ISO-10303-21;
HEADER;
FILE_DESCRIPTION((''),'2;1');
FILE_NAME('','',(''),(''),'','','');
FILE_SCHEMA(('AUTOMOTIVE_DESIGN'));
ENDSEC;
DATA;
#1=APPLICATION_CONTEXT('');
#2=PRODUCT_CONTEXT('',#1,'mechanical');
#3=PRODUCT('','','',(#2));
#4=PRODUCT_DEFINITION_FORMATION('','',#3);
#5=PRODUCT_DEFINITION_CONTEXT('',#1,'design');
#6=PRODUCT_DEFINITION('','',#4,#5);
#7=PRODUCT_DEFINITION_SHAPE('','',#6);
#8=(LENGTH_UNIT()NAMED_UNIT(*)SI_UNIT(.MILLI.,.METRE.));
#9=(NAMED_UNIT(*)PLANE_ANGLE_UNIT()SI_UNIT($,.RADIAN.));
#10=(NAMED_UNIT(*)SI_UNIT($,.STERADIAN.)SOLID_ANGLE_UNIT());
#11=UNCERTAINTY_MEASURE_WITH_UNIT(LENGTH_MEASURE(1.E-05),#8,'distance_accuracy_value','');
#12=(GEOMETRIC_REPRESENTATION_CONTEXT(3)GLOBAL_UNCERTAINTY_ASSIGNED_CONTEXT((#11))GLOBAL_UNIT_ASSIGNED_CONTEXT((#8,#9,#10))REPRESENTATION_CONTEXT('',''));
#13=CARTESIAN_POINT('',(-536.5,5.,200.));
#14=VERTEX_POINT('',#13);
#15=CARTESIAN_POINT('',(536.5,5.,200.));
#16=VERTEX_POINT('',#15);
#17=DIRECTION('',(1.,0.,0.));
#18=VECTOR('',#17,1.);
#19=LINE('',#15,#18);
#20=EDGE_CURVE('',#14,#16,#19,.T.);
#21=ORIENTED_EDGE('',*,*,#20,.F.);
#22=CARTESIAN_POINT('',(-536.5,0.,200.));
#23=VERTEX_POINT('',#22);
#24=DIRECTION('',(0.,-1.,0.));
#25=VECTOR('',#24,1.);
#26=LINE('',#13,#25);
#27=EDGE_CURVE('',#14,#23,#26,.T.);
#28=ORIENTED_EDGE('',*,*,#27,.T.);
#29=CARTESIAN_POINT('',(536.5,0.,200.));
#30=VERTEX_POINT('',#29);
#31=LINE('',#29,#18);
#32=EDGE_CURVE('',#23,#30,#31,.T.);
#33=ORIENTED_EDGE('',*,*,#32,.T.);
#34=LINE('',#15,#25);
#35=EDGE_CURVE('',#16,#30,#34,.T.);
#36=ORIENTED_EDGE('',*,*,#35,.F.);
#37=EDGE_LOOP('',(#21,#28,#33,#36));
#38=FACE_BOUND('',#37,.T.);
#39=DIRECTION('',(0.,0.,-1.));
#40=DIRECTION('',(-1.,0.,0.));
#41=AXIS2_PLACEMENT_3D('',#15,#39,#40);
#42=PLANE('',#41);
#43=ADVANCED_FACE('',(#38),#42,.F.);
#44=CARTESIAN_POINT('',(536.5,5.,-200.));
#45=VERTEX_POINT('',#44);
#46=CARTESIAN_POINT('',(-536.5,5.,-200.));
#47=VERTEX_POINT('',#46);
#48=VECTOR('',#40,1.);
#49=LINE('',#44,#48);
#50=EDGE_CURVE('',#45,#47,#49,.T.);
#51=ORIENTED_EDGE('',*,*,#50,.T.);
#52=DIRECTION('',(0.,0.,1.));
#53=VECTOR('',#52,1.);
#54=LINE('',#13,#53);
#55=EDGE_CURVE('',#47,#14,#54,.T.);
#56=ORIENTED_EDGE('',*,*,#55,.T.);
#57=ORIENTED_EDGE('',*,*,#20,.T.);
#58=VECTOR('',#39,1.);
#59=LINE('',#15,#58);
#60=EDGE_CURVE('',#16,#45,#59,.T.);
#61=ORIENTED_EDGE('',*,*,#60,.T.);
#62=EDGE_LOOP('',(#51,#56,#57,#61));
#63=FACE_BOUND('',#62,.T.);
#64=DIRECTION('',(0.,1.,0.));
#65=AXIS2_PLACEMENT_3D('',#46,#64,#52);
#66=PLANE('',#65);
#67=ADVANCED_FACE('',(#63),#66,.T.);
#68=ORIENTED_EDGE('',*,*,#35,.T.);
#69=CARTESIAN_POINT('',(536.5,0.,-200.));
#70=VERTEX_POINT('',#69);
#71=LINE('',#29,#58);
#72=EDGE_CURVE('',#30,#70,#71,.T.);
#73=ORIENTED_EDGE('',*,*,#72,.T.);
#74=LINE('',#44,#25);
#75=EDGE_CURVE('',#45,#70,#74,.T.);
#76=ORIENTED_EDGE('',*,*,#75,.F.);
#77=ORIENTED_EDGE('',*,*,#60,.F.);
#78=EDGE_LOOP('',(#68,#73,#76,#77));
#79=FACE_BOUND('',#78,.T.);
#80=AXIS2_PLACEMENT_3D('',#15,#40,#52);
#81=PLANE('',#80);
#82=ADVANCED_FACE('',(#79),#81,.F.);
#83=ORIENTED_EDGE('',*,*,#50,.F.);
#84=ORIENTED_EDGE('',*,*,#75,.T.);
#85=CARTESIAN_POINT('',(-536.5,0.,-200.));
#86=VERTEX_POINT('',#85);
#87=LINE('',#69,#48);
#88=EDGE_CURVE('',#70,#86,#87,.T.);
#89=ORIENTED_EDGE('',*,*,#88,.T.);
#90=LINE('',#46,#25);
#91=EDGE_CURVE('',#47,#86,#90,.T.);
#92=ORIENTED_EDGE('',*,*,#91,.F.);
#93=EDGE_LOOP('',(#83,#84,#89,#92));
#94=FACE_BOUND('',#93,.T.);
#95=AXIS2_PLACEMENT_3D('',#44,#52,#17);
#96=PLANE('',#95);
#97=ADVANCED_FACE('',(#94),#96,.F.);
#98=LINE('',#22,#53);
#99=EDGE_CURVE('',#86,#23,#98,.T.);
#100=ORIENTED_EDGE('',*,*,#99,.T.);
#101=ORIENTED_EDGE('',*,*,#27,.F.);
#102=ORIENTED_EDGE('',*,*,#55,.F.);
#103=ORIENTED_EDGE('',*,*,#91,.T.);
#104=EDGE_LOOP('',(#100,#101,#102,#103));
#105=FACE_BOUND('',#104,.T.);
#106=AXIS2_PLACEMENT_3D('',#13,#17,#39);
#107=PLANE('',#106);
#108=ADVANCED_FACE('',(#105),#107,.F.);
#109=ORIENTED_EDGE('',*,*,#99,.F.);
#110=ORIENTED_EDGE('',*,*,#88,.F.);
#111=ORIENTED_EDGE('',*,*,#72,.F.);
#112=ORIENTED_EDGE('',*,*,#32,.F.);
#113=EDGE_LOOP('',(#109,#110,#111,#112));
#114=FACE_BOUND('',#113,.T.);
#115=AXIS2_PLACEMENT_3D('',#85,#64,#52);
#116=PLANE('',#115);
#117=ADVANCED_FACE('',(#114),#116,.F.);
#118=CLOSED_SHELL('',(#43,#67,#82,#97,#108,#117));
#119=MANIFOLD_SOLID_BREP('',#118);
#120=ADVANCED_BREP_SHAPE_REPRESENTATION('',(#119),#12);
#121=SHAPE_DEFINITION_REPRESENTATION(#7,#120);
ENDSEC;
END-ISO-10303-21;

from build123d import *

# Parameters (mm, degrees)
CROQUIS1_W     = 1073
CROQUIS1_H     = 400
EXTRUIR1_DEPTH = 5


with BuildPart() as part:
    # Croquis1 → Extruir1 (new body)
    with BuildSketch(Plane(origin=(0, 0, 0), x_dir=(1, 0, 0), z_dir=(0, 1, 0))):
        Rectangle(CROQUIS1_W, CROQUIS1_H)
    extrude(amount=EXTRUIR1_DEPTH)


solid = part.part
